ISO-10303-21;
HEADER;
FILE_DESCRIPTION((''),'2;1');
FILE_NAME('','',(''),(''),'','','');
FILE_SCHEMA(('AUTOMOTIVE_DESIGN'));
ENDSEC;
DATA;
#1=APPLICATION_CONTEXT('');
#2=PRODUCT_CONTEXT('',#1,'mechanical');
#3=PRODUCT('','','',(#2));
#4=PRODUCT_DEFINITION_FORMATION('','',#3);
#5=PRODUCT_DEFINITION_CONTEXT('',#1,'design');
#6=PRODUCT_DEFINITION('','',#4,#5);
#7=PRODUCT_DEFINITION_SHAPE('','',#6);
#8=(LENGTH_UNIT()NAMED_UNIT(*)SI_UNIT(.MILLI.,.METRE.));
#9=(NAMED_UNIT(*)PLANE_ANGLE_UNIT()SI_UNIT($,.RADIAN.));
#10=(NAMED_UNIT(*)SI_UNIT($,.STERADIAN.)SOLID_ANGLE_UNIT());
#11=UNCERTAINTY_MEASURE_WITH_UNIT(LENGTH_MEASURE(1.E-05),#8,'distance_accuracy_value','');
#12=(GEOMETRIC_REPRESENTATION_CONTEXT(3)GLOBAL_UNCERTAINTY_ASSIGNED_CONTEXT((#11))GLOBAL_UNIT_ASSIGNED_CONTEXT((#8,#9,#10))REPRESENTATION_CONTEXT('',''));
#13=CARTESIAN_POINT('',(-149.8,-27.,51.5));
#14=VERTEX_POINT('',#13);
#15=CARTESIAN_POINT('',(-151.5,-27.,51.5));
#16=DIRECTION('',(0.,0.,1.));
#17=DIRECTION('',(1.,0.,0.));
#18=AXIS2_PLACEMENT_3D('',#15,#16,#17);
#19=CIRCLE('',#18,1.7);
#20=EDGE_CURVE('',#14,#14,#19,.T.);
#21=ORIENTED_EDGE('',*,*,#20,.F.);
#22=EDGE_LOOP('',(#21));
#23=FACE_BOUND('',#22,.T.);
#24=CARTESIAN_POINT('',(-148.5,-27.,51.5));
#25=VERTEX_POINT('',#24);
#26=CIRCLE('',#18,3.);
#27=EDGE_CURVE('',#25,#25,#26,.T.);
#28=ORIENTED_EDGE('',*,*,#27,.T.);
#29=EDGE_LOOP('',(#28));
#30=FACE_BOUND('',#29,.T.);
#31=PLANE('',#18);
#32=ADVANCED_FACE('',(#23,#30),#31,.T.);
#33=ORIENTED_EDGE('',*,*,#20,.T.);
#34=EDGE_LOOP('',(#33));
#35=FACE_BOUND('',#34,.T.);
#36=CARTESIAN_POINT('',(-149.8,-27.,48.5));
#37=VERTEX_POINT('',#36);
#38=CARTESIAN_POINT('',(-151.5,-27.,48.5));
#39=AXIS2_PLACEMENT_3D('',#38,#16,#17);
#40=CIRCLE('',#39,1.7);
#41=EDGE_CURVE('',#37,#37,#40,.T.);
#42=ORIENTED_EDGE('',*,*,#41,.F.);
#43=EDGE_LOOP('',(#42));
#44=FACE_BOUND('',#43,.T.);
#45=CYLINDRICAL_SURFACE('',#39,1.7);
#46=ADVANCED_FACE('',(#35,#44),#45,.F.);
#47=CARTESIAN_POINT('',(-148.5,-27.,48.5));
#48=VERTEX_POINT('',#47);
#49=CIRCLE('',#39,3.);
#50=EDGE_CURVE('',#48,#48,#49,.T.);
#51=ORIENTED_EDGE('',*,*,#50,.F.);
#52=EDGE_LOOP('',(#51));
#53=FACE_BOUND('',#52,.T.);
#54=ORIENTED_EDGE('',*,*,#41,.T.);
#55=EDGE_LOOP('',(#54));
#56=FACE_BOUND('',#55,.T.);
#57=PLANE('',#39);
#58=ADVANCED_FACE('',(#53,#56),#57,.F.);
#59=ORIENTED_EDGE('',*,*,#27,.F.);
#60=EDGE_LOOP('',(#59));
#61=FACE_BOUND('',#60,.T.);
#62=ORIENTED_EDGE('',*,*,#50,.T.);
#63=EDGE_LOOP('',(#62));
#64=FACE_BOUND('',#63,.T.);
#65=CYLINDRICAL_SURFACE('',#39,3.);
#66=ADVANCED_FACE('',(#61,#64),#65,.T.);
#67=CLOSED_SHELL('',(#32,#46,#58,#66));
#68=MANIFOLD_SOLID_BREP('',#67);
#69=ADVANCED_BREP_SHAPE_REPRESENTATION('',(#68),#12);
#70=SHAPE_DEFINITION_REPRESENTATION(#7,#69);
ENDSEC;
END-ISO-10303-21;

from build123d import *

# Parameters (mm, degrees)
MAIN_PROFILE_SKETCH_R   = 3
MAIN_PROFILE_SKETCH_R_2 = 1.7
MAIN_EXTRUSION_DEPTH    = 3


with BuildPart() as part:
    # Main Profile Sketch → Main Extrusion (new body)
    with BuildSketch(Plane.XY.offset(51.5)):
        with Locations((-151.5, -27)):
            Circle(MAIN_PROFILE_SKETCH_R)
        with Locations((-151.5, -27)):
            Circle(MAIN_PROFILE_SKETCH_R_2, mode=Mode.SUBTRACT)
    extrude(amount=-MAIN_EXTRUSION_DEPTH)


solid = part.part
